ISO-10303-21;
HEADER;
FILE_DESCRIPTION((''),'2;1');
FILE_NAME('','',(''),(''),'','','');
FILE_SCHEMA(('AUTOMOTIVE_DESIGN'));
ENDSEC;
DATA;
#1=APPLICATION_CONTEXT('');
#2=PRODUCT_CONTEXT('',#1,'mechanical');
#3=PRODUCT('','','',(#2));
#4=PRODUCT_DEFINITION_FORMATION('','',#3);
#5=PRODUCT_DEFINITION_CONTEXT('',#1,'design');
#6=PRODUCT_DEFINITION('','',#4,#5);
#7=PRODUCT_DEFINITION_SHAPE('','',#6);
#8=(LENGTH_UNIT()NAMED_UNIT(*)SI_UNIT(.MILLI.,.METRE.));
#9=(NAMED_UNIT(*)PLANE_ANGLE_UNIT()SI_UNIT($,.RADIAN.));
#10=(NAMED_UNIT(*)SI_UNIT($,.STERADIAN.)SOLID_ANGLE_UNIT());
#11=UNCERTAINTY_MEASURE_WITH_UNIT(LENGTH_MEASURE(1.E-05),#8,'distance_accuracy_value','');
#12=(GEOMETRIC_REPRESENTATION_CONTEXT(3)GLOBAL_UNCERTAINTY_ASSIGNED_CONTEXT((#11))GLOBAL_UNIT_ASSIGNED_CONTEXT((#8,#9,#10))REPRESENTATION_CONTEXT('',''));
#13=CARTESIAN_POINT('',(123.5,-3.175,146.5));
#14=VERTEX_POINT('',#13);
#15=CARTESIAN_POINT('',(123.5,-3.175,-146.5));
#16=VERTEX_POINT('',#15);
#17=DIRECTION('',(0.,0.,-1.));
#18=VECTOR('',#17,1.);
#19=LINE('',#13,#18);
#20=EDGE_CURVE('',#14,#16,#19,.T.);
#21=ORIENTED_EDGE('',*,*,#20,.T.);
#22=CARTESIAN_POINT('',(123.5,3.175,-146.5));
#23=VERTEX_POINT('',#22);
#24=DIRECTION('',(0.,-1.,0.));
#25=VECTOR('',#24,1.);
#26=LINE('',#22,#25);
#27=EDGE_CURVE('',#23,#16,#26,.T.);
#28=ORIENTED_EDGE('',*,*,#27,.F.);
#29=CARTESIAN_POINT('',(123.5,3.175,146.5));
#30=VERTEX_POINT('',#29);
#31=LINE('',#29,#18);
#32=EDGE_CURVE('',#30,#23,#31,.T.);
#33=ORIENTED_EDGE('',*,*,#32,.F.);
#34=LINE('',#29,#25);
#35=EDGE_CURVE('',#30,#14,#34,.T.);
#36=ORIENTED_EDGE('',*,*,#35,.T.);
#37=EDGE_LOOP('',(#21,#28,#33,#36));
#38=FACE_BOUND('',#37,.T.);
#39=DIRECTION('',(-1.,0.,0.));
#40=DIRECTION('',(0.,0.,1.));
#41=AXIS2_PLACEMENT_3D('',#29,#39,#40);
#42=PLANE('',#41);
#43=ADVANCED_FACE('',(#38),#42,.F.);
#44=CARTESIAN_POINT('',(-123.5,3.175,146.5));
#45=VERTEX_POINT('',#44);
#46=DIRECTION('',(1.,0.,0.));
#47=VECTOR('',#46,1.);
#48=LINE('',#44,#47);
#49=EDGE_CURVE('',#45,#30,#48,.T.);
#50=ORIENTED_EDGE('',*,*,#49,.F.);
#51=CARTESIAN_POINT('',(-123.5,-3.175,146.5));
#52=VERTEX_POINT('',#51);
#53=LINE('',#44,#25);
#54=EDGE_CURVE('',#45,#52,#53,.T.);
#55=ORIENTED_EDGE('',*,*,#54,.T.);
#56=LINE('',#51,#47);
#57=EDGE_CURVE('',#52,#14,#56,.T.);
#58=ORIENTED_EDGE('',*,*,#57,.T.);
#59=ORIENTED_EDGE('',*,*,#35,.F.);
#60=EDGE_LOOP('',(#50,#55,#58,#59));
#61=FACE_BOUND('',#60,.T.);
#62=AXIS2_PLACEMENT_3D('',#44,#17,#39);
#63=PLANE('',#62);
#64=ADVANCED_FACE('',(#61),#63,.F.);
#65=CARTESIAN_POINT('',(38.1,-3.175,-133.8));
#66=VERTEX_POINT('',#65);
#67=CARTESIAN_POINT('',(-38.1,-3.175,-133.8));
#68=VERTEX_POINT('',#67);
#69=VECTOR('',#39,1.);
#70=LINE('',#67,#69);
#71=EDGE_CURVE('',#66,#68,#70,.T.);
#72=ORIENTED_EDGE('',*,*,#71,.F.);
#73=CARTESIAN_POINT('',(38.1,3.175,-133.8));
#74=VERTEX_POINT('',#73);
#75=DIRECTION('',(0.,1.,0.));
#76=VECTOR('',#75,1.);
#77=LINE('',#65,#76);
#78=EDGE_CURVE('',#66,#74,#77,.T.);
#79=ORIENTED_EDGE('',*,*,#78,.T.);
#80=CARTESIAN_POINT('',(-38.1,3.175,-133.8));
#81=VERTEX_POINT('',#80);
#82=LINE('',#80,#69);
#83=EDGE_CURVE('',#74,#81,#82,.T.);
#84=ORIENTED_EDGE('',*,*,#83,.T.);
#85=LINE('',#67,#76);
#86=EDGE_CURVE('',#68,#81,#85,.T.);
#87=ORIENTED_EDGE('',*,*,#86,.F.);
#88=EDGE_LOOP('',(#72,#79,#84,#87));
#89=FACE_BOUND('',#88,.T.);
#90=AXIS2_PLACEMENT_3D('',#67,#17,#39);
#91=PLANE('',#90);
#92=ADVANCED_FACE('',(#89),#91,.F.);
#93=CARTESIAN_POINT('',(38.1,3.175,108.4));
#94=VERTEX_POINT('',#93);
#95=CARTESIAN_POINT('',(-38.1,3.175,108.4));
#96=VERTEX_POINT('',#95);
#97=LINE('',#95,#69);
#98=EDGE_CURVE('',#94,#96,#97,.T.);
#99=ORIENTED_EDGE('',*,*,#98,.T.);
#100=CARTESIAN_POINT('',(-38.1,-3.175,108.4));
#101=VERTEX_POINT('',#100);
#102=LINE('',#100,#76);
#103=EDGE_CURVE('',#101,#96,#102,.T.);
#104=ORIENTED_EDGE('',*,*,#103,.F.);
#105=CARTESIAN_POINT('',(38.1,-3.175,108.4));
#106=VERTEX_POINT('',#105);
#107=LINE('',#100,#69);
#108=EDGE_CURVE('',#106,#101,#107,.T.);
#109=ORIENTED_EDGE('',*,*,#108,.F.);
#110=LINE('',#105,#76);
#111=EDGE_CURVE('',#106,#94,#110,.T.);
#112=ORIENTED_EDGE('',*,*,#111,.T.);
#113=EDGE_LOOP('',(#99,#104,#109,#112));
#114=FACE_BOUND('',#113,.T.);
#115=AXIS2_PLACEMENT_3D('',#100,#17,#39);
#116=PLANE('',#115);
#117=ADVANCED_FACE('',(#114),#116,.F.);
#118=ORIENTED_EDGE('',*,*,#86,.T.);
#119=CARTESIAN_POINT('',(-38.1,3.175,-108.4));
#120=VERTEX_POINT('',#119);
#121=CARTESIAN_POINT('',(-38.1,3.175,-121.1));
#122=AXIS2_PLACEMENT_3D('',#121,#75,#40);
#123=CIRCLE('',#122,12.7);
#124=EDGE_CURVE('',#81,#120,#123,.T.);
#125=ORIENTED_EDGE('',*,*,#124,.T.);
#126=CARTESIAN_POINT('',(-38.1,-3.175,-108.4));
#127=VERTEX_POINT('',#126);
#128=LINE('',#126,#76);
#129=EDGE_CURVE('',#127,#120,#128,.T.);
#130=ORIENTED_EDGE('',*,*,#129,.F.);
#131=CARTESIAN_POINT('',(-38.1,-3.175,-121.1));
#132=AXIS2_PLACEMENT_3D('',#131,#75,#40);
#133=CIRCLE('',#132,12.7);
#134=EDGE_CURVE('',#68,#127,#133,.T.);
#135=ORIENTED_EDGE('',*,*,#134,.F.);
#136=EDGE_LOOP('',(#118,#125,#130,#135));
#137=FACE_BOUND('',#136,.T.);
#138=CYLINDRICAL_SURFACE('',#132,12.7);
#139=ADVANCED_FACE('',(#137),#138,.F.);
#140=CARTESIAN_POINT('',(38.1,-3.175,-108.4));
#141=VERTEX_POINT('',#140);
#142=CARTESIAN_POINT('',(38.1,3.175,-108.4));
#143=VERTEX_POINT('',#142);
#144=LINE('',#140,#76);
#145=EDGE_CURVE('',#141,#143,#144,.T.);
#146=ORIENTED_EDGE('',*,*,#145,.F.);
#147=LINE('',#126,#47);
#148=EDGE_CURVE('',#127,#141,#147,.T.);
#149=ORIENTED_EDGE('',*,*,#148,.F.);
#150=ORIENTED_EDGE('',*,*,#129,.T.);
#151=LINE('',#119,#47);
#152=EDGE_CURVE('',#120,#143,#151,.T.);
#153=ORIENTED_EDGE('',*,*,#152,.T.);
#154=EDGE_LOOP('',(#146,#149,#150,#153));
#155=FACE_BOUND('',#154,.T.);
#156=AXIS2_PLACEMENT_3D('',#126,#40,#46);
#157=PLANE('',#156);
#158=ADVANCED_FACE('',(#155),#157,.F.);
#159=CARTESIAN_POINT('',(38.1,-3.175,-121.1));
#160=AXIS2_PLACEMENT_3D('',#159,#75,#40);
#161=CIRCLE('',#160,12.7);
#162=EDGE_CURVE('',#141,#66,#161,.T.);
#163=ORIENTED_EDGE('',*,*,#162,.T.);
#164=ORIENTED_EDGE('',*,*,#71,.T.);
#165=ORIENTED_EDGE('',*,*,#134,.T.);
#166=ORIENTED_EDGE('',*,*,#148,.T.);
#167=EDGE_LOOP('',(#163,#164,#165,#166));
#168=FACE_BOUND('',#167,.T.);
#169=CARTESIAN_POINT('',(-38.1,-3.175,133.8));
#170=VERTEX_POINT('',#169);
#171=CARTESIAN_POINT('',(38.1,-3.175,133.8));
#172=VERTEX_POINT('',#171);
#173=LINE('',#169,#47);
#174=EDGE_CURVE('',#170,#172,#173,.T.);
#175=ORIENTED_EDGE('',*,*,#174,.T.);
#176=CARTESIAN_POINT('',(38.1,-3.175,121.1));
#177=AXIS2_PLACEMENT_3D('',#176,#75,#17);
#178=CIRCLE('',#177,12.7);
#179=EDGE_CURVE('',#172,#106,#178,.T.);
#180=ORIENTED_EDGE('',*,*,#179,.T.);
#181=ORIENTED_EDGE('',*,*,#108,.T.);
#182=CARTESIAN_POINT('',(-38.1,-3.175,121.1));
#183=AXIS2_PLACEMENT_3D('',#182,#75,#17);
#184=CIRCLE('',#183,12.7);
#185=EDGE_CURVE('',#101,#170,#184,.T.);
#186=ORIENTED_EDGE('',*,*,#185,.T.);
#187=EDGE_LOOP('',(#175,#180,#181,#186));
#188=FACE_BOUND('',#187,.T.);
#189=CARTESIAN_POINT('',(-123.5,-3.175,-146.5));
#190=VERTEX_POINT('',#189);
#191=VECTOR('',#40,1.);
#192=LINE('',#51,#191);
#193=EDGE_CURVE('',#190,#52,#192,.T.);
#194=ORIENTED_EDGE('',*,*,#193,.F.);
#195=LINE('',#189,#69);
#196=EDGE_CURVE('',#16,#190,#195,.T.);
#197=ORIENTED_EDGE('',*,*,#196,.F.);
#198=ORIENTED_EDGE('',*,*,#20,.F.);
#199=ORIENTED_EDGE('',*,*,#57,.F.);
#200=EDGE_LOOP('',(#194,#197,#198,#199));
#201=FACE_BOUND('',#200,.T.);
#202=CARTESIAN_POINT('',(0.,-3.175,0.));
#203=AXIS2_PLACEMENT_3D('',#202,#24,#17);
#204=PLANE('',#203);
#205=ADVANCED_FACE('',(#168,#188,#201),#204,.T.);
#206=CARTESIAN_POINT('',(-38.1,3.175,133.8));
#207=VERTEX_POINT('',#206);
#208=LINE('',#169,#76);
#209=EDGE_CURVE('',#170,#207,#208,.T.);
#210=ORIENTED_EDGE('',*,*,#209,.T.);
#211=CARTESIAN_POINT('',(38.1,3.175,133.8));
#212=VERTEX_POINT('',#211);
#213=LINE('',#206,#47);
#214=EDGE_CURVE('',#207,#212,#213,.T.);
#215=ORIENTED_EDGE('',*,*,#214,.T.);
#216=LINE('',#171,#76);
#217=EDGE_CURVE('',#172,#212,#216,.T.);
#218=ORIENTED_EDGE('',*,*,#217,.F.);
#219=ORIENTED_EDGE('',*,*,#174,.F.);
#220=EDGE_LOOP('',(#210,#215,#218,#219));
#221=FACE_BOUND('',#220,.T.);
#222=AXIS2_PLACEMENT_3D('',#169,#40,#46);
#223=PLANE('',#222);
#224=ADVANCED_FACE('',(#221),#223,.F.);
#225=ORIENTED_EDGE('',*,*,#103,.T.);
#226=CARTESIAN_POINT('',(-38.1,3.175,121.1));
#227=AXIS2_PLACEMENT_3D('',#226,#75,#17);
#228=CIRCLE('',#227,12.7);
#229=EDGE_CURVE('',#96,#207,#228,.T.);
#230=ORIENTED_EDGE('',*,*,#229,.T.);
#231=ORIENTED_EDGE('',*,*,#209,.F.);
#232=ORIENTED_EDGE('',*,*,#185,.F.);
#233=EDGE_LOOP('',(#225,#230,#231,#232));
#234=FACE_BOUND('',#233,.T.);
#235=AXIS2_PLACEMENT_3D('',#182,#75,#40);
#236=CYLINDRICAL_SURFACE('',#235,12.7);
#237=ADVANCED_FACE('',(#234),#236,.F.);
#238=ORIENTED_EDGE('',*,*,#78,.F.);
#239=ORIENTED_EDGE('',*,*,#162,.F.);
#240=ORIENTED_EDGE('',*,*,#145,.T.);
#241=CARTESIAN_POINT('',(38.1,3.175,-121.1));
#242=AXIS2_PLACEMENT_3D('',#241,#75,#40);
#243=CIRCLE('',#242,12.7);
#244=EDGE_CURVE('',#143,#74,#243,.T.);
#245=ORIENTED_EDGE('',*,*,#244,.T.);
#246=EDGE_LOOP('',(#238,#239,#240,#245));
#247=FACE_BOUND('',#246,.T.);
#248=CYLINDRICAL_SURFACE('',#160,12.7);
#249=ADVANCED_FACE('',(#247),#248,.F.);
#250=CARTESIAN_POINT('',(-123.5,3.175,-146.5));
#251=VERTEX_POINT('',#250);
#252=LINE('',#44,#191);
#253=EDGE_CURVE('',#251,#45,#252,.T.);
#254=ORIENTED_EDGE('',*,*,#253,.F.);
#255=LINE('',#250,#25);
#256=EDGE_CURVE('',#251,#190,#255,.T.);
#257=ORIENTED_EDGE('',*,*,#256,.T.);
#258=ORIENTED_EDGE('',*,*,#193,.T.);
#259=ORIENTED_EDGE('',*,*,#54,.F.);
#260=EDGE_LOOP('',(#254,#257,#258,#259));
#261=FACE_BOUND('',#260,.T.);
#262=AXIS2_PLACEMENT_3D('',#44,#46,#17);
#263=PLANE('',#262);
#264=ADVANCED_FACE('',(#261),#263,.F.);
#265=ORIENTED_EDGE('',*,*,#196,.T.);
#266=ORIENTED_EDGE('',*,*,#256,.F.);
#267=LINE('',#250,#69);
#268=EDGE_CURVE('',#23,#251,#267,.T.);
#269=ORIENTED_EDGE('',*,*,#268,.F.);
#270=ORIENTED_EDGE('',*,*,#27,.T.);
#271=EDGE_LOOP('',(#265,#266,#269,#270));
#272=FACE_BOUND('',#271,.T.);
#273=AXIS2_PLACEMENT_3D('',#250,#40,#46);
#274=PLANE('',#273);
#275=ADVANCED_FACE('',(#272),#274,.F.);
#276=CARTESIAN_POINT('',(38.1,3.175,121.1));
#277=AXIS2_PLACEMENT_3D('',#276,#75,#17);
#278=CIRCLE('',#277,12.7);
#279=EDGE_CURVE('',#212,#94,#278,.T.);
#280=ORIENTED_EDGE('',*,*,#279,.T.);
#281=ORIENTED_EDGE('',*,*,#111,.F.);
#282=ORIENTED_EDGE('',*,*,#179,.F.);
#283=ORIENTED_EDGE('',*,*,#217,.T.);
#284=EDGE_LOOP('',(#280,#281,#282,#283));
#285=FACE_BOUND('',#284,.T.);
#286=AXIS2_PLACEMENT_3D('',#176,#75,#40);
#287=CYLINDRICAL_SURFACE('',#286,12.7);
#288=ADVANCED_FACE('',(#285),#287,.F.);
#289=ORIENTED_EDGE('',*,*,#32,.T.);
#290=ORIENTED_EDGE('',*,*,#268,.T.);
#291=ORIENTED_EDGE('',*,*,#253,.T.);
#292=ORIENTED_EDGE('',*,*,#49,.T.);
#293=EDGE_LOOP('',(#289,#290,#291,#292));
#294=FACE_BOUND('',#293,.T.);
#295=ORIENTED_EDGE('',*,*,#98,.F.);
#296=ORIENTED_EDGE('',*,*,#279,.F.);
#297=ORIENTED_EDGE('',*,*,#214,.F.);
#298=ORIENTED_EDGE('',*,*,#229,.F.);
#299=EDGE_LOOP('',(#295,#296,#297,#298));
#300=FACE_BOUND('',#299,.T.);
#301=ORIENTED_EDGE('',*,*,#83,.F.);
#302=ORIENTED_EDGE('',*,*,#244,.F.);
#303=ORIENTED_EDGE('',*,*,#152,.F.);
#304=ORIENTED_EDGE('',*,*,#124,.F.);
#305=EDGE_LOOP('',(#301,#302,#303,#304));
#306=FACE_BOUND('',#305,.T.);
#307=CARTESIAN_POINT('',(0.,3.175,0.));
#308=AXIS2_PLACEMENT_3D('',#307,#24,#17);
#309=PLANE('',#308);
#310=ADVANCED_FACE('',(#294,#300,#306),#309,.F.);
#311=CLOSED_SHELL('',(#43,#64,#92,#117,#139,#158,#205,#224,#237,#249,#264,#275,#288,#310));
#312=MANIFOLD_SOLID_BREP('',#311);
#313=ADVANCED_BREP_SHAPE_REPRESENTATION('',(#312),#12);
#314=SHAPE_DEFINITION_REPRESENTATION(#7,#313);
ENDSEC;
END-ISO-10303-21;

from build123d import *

# Parameters (mm, degrees)
SKETCH1_W       = 247
SKETCH1_H       = 293
MAIN_BASE_DEPTH = 3.175
HANDLES_DEPTH   = 192.715472772


with BuildPart() as part:
    # Sketch1 → Main Base (new, symmetric)
    with BuildSketch(Plane(origin=(0, 0, 0), x_dir=(1, 0, 0), z_dir=(0, 1, 0))):
        Rectangle(SKETCH1_W, SKETCH1_H)
    extrude(amount=MAIN_BASE_DEPTH, both=True)

    # Sketch2 → Handles (cut, through all)
    with BuildSketch(Plane(origin=(0, 3.175, 0), x_dir=(1, 0, 0), z_dir=(0, 1, 0))):
        with BuildLine():
            Line((-38.1, 133.8), (38.1, 133.8))
            ThreePointArc((38.1, 133.8), (50.8, 121.1), (38.1, 108.4))
            Line((38.1, 108.4), (-38.1, 108.4))
            ThreePointArc((-38.1, 108.4), (-50.8, 121.1), (-38.1, 133.8))
        make_face()
        with BuildLine():
            Line((-38.1, -133.8), (38.1, -133.8))
            ThreePointArc((38.1, -133.8), (50.8, -121.1), (38.1, -108.4))
            Line((38.1, -108.4), (-38.1, -108.4))
            ThreePointArc((-38.1, -108.4), (-50.8, -121.1), (-38.1, -133.8))
        make_face()
    extrude(amount=-HANDLES_DEPTH, mode=Mode.SUBTRACT)


solid = part.part
